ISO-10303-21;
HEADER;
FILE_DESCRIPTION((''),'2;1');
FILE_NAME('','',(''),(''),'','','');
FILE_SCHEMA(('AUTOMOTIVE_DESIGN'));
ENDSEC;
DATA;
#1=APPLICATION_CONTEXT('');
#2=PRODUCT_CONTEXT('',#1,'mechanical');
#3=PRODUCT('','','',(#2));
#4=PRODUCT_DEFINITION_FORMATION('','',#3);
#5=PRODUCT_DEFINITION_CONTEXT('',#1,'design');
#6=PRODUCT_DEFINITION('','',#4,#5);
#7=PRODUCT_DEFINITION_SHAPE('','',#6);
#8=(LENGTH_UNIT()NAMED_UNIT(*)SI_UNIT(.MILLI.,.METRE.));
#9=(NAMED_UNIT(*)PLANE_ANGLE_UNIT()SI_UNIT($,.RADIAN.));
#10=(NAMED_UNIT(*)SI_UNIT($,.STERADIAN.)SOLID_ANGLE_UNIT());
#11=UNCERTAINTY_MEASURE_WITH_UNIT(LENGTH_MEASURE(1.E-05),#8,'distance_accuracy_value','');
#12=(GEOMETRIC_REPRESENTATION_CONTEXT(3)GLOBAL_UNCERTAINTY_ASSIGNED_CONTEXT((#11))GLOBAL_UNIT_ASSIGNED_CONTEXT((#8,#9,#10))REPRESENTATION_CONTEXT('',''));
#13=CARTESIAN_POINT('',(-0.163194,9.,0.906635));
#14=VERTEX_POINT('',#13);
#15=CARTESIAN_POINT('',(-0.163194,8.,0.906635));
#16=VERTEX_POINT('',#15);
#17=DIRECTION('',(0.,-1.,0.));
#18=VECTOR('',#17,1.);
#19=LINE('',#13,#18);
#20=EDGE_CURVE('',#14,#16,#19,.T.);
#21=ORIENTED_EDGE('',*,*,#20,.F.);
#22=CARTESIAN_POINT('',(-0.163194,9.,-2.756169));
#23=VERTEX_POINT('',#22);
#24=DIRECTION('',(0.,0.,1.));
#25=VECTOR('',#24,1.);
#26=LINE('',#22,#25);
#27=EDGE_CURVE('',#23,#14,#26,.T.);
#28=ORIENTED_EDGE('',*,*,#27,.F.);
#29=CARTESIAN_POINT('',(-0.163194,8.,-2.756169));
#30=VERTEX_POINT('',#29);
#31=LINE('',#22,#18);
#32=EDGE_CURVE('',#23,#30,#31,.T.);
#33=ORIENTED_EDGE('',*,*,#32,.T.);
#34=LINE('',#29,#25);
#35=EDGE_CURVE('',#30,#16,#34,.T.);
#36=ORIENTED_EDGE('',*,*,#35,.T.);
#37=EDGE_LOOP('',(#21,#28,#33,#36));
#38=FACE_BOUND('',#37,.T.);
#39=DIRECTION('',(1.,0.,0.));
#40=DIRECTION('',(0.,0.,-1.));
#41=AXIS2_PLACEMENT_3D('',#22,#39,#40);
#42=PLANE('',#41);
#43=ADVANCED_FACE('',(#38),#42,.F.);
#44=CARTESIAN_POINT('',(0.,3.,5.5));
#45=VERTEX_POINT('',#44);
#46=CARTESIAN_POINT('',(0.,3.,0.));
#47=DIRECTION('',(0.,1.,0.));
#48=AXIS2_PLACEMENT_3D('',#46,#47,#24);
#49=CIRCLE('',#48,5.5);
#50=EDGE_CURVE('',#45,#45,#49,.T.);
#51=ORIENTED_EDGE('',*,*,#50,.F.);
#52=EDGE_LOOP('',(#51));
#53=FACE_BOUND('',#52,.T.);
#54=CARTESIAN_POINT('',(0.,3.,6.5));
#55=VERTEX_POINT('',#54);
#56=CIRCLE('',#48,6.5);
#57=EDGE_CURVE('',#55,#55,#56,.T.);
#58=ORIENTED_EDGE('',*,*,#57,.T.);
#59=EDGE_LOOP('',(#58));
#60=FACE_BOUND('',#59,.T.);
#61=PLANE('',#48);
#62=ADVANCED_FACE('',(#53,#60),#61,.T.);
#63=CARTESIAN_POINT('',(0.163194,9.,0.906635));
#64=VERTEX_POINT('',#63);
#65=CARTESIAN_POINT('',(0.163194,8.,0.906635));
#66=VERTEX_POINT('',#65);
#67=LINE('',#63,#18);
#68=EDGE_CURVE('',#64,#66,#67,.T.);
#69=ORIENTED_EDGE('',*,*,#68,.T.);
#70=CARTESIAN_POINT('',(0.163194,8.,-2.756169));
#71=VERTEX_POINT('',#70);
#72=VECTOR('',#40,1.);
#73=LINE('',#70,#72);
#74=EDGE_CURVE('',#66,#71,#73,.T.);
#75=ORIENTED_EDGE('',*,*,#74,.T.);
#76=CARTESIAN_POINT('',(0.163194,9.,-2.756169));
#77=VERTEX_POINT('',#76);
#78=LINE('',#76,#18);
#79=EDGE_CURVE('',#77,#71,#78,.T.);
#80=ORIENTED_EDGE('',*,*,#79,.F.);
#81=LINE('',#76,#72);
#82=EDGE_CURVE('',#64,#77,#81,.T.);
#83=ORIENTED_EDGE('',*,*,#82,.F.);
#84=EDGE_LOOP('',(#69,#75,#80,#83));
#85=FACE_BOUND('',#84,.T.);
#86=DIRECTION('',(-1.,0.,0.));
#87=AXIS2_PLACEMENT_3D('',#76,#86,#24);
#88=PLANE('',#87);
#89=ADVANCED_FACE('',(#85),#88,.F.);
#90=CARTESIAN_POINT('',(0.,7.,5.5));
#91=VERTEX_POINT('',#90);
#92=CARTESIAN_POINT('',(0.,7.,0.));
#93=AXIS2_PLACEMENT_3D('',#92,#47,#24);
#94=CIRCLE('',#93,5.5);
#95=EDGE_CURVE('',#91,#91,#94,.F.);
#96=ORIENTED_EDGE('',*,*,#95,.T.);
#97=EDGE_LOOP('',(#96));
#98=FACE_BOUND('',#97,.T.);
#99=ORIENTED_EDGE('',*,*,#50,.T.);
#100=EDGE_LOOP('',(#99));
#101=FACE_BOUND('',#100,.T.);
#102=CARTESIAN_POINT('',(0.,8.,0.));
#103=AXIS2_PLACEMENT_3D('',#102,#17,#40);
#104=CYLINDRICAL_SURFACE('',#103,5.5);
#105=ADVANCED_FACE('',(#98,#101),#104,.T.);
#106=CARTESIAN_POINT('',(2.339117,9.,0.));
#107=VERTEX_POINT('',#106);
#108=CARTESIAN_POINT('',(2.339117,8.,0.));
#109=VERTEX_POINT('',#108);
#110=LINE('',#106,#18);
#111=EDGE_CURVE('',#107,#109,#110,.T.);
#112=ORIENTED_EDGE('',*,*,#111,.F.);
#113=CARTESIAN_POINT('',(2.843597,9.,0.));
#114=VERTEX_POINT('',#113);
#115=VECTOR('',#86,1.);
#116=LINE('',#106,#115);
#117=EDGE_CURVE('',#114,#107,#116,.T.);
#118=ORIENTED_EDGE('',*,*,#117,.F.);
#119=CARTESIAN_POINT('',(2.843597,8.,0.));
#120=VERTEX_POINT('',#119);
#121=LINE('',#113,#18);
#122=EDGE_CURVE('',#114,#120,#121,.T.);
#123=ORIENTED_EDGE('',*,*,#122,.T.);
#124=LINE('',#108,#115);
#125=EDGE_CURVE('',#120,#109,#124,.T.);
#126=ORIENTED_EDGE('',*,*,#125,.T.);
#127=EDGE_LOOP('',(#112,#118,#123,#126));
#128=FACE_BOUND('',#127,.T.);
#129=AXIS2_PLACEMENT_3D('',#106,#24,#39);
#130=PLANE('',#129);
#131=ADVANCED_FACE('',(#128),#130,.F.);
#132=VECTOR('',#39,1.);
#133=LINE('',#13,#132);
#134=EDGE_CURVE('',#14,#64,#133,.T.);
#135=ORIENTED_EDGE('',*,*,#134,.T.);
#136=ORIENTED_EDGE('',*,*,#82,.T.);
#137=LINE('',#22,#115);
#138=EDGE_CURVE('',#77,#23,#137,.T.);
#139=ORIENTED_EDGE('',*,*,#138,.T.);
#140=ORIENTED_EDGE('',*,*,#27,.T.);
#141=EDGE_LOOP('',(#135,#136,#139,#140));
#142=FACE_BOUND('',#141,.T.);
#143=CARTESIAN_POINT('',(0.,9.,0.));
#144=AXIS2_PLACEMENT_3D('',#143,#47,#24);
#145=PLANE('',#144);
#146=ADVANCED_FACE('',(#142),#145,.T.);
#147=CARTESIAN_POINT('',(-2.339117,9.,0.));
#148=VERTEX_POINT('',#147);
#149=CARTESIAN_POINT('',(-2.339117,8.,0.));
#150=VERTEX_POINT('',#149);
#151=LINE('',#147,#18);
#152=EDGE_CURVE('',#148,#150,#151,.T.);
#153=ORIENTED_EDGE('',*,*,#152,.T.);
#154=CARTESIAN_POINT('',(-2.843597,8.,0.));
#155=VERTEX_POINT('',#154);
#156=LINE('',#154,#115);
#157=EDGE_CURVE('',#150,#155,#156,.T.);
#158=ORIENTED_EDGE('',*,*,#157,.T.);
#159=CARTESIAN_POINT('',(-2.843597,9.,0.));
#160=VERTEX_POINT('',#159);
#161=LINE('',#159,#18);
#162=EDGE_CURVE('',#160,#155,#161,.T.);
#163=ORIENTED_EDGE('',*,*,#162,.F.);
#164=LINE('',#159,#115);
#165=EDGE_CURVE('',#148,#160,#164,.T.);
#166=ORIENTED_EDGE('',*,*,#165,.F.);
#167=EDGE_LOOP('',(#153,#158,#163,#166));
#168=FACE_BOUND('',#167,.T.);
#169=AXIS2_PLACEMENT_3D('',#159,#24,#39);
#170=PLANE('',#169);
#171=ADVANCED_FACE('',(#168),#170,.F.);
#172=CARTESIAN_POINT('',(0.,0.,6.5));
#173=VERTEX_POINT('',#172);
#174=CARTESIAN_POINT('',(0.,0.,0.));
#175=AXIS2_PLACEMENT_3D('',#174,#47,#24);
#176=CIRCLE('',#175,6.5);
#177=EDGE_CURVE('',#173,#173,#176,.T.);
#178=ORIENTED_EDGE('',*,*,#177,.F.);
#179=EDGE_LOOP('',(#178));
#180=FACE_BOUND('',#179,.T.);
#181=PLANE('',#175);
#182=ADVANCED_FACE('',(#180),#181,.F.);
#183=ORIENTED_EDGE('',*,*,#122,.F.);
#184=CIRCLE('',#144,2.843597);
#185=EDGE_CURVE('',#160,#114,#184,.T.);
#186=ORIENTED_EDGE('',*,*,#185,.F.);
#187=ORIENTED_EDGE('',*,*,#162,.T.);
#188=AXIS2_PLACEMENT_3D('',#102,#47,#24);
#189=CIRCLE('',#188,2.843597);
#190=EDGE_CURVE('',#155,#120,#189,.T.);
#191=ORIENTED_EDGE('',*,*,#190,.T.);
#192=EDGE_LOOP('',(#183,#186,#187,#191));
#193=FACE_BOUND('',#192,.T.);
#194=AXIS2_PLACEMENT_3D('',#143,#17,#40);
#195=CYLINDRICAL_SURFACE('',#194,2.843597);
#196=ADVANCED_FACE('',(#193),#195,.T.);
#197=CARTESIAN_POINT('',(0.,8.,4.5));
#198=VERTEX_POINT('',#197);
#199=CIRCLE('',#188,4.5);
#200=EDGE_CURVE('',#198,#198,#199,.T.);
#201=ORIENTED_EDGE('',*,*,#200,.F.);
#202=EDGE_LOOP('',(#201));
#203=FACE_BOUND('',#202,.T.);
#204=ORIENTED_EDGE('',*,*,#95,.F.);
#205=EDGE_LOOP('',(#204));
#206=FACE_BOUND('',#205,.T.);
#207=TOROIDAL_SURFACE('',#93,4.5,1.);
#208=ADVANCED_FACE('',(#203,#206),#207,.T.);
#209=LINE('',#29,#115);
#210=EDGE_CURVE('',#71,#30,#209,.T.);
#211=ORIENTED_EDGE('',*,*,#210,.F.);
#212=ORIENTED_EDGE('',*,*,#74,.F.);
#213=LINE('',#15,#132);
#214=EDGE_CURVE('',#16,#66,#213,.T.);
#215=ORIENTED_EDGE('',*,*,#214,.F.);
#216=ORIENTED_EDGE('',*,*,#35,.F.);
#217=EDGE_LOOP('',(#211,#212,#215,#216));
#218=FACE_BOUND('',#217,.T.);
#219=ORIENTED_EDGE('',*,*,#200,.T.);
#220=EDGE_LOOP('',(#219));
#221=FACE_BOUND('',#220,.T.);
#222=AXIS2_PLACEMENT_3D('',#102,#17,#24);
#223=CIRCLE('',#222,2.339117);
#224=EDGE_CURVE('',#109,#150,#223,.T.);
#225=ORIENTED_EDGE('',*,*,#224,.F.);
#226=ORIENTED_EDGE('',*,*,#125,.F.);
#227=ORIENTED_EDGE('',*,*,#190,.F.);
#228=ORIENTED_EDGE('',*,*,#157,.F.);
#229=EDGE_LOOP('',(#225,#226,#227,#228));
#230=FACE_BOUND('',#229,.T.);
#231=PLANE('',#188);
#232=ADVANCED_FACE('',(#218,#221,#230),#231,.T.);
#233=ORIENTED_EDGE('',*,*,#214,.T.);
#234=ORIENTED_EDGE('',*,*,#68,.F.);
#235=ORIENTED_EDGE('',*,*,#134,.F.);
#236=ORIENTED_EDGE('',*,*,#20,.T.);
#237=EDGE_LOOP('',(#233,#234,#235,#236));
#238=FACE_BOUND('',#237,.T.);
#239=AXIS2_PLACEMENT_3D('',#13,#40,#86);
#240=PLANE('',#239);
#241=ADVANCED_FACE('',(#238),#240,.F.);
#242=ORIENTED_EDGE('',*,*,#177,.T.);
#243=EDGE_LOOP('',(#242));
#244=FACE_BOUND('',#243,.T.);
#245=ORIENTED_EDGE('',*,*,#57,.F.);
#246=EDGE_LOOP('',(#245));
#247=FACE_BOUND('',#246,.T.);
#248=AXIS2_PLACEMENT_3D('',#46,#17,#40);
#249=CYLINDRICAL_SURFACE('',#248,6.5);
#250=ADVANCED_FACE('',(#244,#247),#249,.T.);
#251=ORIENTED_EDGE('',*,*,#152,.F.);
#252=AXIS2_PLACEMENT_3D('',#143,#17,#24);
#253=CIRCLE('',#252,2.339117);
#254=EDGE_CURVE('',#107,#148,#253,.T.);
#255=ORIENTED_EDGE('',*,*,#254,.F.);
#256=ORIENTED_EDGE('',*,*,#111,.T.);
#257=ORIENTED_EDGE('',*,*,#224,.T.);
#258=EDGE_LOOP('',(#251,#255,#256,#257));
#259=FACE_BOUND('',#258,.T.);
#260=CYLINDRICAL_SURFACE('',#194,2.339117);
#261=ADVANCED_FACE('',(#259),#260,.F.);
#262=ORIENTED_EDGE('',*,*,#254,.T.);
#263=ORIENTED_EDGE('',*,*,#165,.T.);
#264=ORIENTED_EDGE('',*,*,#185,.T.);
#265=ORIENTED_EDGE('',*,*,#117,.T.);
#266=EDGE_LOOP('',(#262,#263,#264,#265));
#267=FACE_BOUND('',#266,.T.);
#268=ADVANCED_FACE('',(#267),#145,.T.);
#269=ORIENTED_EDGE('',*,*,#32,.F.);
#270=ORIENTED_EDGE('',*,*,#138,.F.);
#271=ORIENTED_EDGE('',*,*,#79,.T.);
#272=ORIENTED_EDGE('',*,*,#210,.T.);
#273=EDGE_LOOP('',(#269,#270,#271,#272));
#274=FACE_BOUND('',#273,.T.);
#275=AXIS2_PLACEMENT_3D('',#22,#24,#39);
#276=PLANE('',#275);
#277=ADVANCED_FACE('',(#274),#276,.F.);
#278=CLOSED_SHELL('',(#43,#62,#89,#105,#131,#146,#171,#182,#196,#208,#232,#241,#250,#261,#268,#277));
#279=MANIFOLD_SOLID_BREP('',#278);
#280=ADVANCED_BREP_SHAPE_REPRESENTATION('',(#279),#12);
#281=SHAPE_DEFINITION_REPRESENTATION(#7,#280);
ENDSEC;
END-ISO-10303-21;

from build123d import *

# Parameters (mm, degrees)
SKETCH_1_R      = 6.5
EXTRUDE_2_DEPTH = 3
SKETCH_3_R      = 5.5
EXTRUDE_3_DEPTH = 5
FILLET_1_R      = 1
SKETCH_4_W      = 0.326388432
SKETCH_4_H      = 3.66280352
EXTRUDE_4_DEPTH = 1


with BuildPart() as part:
    # 草图1 → 凸台-拉伸2 (new body)
    with BuildSketch(Plane(origin=(0, 0, 0), x_dir=(1, 0, 0), z_dir=(0, 1, 0))):
        Circle(SKETCH_1_R)
    extrude(amount=EXTRUDE_2_DEPTH)

    # 草图3 → 凸台-拉伸3 (add)
    with BuildSketch(Plane(origin=(0, 3, 0), x_dir=(1, 0, 0), z_dir=(0, 1, 0))):
        Circle(SKETCH_3_R)
    extrude(amount=EXTRUDE_3_DEPTH)

    # 圆角1
    fillet_1_edges = [part.edges().sort_by_distance(p)[0] for p in [
        (-5.5, 8, 0),
    ]]
    fillet(fillet_1_edges, radius=FILLET_1_R)

    # 草图4 → 凸台-拉伸4 (add)
    with BuildSketch(Plane(origin=(0, 8, 0), x_dir=(1, 0, 0), z_dir=(0, 1, 0))):
        with BuildLine():
            Line((-2.843597496, 0), (-2.339117099, 0))
            ThreePointArc((-2.339117099, 0), (0, -2.339117099), (2.339117099, 0))
            Line((2.339117099, 0), (2.843597496, 0))
            ThreePointArc((2.843597496, 0), (0, -2.843597496), (-2.843597496, 0))
        make_face()
        with Locations((0, 0.924767225)):
            Rectangle(SKETCH_4_W, SKETCH_4_H)
    extrude(amount=EXTRUDE_4_DEPTH)


solid = part.part
